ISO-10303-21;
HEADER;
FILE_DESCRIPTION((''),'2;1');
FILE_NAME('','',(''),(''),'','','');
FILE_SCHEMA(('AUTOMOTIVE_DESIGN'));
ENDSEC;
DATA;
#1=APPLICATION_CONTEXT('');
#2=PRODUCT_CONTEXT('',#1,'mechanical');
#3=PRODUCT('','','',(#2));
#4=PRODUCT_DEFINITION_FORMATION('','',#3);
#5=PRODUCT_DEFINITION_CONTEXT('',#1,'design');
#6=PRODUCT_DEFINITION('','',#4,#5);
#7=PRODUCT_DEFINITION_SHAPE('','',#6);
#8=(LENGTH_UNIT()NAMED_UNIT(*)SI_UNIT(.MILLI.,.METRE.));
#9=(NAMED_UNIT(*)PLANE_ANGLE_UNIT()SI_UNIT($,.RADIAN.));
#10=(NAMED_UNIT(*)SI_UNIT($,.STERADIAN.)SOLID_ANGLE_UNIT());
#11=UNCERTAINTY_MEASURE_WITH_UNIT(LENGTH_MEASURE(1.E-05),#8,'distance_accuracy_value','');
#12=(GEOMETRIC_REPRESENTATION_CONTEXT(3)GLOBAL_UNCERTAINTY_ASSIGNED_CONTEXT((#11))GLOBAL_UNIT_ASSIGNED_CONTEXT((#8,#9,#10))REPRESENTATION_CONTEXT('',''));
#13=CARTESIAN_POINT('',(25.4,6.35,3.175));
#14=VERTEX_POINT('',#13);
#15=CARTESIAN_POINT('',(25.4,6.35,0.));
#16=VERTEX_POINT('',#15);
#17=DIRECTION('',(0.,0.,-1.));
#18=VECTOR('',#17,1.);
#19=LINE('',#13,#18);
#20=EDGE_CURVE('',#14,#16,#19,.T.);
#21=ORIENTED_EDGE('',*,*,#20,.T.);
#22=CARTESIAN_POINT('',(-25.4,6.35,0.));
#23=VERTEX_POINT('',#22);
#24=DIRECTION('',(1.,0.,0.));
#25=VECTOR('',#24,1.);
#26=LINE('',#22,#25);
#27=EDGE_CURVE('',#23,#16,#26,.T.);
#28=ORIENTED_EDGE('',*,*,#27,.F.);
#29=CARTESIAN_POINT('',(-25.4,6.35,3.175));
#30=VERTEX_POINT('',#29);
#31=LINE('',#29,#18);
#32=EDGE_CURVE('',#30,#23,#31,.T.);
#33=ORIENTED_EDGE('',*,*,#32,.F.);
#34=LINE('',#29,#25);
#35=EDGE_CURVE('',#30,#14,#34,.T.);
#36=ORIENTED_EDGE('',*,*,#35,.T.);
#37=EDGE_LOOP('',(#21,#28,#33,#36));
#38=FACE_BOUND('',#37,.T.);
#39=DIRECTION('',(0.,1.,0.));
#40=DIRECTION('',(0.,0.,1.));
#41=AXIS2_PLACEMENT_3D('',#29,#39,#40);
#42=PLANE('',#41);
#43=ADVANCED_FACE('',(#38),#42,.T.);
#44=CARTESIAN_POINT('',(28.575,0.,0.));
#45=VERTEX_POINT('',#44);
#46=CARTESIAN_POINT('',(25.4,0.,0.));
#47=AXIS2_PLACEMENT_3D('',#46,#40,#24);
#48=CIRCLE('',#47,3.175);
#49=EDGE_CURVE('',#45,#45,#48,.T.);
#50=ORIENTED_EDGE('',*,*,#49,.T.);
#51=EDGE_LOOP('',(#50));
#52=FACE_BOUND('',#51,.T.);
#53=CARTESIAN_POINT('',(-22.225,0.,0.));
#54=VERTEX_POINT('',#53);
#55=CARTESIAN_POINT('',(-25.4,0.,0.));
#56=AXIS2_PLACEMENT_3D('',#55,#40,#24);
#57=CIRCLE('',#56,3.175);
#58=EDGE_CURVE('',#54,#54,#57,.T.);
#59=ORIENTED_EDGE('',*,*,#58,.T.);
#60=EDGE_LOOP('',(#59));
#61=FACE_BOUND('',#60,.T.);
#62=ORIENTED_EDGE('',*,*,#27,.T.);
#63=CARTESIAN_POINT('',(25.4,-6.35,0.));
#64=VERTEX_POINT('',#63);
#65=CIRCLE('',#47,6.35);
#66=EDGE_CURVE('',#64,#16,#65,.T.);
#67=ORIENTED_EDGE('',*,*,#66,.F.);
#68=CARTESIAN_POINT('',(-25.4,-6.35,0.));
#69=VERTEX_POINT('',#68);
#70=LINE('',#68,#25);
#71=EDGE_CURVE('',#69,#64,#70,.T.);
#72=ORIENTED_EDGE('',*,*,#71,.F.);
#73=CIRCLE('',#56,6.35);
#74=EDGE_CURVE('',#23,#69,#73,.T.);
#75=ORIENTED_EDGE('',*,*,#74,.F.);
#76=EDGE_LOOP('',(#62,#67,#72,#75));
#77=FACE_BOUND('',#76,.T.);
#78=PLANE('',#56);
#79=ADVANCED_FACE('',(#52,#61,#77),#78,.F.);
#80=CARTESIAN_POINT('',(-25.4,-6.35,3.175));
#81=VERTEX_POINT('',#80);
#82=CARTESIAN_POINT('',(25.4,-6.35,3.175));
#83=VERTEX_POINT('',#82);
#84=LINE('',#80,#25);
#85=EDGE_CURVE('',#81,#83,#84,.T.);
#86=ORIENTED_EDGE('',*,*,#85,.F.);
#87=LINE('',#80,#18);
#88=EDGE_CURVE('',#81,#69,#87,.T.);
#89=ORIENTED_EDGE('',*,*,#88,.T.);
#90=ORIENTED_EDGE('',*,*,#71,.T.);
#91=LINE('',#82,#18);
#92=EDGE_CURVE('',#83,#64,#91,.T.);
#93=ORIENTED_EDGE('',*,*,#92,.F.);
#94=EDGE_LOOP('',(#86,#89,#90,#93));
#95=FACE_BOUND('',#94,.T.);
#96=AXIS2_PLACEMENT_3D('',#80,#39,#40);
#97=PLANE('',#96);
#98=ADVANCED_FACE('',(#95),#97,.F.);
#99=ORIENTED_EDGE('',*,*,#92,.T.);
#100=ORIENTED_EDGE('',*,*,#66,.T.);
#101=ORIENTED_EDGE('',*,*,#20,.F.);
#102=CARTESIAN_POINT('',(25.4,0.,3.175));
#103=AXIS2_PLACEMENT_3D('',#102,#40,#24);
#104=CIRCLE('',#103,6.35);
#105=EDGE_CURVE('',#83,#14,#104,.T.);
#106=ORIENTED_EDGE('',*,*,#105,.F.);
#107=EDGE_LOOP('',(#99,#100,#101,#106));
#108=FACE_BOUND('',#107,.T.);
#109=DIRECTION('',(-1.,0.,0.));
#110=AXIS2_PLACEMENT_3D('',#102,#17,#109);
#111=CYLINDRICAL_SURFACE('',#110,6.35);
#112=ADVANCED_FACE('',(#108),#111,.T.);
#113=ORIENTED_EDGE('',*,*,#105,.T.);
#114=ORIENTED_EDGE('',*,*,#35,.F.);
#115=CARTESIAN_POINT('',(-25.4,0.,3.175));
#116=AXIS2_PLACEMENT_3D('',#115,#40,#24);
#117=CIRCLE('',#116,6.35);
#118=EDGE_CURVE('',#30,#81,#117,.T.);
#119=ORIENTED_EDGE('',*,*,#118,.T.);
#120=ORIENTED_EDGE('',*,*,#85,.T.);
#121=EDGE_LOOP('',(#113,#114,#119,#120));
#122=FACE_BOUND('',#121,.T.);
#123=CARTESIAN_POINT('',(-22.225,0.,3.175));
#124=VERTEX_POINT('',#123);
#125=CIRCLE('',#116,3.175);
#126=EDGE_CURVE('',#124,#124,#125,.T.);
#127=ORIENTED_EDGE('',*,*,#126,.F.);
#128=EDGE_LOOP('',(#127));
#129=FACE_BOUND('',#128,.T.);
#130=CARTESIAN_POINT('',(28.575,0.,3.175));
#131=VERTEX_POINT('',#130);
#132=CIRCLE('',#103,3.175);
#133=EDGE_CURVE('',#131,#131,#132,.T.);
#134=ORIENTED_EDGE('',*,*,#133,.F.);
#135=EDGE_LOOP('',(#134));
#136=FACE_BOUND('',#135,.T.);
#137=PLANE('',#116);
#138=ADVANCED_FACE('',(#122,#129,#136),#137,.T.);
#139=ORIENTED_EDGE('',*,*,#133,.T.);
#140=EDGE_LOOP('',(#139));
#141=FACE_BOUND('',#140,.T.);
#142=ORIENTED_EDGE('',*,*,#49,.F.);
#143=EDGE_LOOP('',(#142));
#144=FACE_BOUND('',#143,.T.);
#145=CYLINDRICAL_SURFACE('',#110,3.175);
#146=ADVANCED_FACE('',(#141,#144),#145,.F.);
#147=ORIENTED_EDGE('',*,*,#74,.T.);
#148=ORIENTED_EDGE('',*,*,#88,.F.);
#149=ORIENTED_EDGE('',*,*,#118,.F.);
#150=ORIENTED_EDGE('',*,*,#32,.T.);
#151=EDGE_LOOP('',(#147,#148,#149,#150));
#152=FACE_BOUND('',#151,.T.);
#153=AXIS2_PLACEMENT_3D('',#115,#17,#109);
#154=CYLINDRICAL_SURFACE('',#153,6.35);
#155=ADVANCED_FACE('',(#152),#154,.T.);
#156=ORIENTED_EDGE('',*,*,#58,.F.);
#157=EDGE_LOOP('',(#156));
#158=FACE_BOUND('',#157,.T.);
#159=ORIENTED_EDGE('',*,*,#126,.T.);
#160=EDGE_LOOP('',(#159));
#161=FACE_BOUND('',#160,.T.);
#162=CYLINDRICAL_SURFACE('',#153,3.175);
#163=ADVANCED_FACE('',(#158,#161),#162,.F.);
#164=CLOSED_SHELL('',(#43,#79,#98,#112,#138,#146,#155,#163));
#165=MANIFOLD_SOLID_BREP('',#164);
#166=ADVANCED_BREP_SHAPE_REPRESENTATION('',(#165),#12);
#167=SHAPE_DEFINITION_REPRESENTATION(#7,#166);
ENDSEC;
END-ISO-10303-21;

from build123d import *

# Parameters (mm, degrees)
SKETCH1_R           = 3.175
BOSS_EXTRUDE2_DEPTH = 3.175


with BuildPart() as part:
    # Sketch1 → Boss-Extrude2 (new body)
    with BuildSketch(Plane.XY):
        with BuildLine():
            Line((-25.4, 6.35), (25.4, 6.35))
            ThreePointArc((25.4, 6.35), (31.75, 0), (25.4, -6.35))
            Line((25.4, -6.35), (-25.4, -6.35))
            ThreePointArc((-25.4, -6.35), (-31.75, 0), (-25.4, 6.35))
        make_face()
        with Locations((-25.4, 0)):
            Circle(SKETCH1_R, mode=Mode.SUBTRACT)
        with Locations((25.4, 0)):
            Circle(SKETCH1_R, mode=Mode.SUBTRACT)
    extrude(amount=BOSS_EXTRUDE2_DEPTH)


solid = part.part
